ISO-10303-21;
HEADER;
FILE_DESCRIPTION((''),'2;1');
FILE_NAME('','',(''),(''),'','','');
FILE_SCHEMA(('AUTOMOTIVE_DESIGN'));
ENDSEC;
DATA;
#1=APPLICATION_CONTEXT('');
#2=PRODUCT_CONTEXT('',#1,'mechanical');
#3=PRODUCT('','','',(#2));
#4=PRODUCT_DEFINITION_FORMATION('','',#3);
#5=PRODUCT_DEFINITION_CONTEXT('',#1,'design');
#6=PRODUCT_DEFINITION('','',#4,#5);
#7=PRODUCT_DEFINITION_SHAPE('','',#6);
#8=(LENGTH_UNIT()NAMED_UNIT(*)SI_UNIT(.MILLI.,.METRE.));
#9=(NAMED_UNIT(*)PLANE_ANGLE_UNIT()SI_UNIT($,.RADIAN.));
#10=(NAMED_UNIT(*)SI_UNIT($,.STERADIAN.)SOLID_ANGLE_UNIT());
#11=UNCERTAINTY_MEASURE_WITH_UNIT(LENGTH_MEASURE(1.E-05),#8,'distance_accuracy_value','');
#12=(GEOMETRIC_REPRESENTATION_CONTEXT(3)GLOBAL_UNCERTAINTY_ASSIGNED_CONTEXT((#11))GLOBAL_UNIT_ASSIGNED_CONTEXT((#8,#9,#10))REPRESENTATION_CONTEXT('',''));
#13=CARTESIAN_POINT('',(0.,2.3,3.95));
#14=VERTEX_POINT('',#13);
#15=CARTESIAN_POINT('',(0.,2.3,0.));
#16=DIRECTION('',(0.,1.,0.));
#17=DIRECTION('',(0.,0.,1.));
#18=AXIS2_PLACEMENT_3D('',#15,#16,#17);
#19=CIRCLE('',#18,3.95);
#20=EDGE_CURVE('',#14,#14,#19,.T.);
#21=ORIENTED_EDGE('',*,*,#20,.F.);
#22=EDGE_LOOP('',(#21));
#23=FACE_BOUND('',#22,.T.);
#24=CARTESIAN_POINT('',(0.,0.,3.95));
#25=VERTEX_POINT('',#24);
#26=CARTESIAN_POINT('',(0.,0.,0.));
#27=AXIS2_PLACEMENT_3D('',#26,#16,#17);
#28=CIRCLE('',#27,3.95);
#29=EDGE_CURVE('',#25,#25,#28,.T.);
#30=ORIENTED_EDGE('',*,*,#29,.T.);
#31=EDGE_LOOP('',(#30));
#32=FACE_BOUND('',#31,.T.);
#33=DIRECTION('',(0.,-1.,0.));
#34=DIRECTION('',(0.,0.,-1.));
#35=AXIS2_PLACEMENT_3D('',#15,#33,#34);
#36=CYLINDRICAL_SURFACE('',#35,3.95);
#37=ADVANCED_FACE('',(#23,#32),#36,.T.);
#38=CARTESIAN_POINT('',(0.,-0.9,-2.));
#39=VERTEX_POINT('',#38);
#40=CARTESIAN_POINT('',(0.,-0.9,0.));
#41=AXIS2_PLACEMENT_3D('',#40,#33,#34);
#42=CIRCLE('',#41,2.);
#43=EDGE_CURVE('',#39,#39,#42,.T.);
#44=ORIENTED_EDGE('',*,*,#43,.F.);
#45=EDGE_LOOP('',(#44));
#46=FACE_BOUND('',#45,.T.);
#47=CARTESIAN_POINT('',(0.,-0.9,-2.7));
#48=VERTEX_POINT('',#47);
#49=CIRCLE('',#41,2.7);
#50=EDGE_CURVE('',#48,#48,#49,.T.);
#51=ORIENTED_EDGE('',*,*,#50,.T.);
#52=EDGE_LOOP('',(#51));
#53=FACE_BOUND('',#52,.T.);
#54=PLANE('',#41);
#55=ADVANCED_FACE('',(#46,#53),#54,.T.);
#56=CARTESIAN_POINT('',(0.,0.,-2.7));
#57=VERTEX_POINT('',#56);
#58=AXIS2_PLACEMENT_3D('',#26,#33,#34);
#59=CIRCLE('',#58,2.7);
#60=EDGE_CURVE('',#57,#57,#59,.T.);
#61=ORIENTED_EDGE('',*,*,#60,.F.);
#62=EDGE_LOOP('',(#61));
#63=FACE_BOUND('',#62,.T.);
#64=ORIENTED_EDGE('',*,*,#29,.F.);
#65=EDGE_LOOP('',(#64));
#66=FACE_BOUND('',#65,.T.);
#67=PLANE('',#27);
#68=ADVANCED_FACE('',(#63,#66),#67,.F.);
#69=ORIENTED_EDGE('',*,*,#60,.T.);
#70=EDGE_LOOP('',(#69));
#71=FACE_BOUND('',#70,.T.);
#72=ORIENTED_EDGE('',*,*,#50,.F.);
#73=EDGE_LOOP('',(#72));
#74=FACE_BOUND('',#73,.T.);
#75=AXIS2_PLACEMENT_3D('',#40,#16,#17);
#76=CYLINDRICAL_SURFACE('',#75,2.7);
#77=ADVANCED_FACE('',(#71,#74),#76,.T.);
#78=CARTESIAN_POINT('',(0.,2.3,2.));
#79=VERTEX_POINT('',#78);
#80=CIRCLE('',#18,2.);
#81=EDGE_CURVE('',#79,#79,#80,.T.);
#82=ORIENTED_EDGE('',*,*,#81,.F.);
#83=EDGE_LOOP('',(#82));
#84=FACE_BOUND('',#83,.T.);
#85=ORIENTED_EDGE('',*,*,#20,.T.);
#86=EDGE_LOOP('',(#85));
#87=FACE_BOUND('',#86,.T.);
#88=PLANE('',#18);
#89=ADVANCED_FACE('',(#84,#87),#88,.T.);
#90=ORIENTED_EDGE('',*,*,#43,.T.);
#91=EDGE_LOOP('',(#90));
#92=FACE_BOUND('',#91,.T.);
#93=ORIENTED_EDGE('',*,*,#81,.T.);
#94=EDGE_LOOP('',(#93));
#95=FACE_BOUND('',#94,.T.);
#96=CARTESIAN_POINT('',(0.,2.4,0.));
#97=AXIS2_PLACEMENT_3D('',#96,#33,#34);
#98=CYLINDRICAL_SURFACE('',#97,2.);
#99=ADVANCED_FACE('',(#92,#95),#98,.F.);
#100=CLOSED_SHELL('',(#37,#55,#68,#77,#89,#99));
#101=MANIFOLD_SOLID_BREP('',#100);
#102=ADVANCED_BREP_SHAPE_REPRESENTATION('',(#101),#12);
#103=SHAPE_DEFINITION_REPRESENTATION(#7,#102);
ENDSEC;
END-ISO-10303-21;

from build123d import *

# Parameters (mm, degrees)
SKETCH_1_R          = 3.95
EXTRUDE_1_DEPTH     = 2.3
SKETCH_3_R          = 2.7
EXTRUDE_2_DEPTH     = 0.9
SKETCH_4_R          = 2
CUT_EXTRUDE_1_DEPTH = 3.3


with BuildPart() as part:
    # ｽｹｯﾁ1 → ﾎﾞｽ - 押し出し1 (new body)
    with BuildSketch(Plane(origin=(0, 0, 0), x_dir=(1, 0, 0), z_dir=(0, 1, 0))):
        Circle(SKETCH_1_R)
    extrude(amount=EXTRUDE_1_DEPTH)

    # ｽｹｯﾁ3 → ﾎﾞｽ - 押し出し2 (add)
    with BuildSketch(Plane(origin=(0, 0, 0), x_dir=(-1, 0, 0), z_dir=(0, -1, 0))):
        Circle(SKETCH_3_R)
    extrude(amount=EXTRUDE_2_DEPTH)

    # ｽｹｯﾁ4 → ｶｯﾄ - 押し出し1 (cut)
    with BuildSketch(Plane(origin=(0, -0.9, 0), x_dir=(-1, 0, 0), z_dir=(0, -1, 0))):
        Circle(SKETCH_4_R)
    extrude(amount=-CUT_EXTRUDE_1_DEPTH, mode=Mode.SUBTRACT)


solid = part.part
